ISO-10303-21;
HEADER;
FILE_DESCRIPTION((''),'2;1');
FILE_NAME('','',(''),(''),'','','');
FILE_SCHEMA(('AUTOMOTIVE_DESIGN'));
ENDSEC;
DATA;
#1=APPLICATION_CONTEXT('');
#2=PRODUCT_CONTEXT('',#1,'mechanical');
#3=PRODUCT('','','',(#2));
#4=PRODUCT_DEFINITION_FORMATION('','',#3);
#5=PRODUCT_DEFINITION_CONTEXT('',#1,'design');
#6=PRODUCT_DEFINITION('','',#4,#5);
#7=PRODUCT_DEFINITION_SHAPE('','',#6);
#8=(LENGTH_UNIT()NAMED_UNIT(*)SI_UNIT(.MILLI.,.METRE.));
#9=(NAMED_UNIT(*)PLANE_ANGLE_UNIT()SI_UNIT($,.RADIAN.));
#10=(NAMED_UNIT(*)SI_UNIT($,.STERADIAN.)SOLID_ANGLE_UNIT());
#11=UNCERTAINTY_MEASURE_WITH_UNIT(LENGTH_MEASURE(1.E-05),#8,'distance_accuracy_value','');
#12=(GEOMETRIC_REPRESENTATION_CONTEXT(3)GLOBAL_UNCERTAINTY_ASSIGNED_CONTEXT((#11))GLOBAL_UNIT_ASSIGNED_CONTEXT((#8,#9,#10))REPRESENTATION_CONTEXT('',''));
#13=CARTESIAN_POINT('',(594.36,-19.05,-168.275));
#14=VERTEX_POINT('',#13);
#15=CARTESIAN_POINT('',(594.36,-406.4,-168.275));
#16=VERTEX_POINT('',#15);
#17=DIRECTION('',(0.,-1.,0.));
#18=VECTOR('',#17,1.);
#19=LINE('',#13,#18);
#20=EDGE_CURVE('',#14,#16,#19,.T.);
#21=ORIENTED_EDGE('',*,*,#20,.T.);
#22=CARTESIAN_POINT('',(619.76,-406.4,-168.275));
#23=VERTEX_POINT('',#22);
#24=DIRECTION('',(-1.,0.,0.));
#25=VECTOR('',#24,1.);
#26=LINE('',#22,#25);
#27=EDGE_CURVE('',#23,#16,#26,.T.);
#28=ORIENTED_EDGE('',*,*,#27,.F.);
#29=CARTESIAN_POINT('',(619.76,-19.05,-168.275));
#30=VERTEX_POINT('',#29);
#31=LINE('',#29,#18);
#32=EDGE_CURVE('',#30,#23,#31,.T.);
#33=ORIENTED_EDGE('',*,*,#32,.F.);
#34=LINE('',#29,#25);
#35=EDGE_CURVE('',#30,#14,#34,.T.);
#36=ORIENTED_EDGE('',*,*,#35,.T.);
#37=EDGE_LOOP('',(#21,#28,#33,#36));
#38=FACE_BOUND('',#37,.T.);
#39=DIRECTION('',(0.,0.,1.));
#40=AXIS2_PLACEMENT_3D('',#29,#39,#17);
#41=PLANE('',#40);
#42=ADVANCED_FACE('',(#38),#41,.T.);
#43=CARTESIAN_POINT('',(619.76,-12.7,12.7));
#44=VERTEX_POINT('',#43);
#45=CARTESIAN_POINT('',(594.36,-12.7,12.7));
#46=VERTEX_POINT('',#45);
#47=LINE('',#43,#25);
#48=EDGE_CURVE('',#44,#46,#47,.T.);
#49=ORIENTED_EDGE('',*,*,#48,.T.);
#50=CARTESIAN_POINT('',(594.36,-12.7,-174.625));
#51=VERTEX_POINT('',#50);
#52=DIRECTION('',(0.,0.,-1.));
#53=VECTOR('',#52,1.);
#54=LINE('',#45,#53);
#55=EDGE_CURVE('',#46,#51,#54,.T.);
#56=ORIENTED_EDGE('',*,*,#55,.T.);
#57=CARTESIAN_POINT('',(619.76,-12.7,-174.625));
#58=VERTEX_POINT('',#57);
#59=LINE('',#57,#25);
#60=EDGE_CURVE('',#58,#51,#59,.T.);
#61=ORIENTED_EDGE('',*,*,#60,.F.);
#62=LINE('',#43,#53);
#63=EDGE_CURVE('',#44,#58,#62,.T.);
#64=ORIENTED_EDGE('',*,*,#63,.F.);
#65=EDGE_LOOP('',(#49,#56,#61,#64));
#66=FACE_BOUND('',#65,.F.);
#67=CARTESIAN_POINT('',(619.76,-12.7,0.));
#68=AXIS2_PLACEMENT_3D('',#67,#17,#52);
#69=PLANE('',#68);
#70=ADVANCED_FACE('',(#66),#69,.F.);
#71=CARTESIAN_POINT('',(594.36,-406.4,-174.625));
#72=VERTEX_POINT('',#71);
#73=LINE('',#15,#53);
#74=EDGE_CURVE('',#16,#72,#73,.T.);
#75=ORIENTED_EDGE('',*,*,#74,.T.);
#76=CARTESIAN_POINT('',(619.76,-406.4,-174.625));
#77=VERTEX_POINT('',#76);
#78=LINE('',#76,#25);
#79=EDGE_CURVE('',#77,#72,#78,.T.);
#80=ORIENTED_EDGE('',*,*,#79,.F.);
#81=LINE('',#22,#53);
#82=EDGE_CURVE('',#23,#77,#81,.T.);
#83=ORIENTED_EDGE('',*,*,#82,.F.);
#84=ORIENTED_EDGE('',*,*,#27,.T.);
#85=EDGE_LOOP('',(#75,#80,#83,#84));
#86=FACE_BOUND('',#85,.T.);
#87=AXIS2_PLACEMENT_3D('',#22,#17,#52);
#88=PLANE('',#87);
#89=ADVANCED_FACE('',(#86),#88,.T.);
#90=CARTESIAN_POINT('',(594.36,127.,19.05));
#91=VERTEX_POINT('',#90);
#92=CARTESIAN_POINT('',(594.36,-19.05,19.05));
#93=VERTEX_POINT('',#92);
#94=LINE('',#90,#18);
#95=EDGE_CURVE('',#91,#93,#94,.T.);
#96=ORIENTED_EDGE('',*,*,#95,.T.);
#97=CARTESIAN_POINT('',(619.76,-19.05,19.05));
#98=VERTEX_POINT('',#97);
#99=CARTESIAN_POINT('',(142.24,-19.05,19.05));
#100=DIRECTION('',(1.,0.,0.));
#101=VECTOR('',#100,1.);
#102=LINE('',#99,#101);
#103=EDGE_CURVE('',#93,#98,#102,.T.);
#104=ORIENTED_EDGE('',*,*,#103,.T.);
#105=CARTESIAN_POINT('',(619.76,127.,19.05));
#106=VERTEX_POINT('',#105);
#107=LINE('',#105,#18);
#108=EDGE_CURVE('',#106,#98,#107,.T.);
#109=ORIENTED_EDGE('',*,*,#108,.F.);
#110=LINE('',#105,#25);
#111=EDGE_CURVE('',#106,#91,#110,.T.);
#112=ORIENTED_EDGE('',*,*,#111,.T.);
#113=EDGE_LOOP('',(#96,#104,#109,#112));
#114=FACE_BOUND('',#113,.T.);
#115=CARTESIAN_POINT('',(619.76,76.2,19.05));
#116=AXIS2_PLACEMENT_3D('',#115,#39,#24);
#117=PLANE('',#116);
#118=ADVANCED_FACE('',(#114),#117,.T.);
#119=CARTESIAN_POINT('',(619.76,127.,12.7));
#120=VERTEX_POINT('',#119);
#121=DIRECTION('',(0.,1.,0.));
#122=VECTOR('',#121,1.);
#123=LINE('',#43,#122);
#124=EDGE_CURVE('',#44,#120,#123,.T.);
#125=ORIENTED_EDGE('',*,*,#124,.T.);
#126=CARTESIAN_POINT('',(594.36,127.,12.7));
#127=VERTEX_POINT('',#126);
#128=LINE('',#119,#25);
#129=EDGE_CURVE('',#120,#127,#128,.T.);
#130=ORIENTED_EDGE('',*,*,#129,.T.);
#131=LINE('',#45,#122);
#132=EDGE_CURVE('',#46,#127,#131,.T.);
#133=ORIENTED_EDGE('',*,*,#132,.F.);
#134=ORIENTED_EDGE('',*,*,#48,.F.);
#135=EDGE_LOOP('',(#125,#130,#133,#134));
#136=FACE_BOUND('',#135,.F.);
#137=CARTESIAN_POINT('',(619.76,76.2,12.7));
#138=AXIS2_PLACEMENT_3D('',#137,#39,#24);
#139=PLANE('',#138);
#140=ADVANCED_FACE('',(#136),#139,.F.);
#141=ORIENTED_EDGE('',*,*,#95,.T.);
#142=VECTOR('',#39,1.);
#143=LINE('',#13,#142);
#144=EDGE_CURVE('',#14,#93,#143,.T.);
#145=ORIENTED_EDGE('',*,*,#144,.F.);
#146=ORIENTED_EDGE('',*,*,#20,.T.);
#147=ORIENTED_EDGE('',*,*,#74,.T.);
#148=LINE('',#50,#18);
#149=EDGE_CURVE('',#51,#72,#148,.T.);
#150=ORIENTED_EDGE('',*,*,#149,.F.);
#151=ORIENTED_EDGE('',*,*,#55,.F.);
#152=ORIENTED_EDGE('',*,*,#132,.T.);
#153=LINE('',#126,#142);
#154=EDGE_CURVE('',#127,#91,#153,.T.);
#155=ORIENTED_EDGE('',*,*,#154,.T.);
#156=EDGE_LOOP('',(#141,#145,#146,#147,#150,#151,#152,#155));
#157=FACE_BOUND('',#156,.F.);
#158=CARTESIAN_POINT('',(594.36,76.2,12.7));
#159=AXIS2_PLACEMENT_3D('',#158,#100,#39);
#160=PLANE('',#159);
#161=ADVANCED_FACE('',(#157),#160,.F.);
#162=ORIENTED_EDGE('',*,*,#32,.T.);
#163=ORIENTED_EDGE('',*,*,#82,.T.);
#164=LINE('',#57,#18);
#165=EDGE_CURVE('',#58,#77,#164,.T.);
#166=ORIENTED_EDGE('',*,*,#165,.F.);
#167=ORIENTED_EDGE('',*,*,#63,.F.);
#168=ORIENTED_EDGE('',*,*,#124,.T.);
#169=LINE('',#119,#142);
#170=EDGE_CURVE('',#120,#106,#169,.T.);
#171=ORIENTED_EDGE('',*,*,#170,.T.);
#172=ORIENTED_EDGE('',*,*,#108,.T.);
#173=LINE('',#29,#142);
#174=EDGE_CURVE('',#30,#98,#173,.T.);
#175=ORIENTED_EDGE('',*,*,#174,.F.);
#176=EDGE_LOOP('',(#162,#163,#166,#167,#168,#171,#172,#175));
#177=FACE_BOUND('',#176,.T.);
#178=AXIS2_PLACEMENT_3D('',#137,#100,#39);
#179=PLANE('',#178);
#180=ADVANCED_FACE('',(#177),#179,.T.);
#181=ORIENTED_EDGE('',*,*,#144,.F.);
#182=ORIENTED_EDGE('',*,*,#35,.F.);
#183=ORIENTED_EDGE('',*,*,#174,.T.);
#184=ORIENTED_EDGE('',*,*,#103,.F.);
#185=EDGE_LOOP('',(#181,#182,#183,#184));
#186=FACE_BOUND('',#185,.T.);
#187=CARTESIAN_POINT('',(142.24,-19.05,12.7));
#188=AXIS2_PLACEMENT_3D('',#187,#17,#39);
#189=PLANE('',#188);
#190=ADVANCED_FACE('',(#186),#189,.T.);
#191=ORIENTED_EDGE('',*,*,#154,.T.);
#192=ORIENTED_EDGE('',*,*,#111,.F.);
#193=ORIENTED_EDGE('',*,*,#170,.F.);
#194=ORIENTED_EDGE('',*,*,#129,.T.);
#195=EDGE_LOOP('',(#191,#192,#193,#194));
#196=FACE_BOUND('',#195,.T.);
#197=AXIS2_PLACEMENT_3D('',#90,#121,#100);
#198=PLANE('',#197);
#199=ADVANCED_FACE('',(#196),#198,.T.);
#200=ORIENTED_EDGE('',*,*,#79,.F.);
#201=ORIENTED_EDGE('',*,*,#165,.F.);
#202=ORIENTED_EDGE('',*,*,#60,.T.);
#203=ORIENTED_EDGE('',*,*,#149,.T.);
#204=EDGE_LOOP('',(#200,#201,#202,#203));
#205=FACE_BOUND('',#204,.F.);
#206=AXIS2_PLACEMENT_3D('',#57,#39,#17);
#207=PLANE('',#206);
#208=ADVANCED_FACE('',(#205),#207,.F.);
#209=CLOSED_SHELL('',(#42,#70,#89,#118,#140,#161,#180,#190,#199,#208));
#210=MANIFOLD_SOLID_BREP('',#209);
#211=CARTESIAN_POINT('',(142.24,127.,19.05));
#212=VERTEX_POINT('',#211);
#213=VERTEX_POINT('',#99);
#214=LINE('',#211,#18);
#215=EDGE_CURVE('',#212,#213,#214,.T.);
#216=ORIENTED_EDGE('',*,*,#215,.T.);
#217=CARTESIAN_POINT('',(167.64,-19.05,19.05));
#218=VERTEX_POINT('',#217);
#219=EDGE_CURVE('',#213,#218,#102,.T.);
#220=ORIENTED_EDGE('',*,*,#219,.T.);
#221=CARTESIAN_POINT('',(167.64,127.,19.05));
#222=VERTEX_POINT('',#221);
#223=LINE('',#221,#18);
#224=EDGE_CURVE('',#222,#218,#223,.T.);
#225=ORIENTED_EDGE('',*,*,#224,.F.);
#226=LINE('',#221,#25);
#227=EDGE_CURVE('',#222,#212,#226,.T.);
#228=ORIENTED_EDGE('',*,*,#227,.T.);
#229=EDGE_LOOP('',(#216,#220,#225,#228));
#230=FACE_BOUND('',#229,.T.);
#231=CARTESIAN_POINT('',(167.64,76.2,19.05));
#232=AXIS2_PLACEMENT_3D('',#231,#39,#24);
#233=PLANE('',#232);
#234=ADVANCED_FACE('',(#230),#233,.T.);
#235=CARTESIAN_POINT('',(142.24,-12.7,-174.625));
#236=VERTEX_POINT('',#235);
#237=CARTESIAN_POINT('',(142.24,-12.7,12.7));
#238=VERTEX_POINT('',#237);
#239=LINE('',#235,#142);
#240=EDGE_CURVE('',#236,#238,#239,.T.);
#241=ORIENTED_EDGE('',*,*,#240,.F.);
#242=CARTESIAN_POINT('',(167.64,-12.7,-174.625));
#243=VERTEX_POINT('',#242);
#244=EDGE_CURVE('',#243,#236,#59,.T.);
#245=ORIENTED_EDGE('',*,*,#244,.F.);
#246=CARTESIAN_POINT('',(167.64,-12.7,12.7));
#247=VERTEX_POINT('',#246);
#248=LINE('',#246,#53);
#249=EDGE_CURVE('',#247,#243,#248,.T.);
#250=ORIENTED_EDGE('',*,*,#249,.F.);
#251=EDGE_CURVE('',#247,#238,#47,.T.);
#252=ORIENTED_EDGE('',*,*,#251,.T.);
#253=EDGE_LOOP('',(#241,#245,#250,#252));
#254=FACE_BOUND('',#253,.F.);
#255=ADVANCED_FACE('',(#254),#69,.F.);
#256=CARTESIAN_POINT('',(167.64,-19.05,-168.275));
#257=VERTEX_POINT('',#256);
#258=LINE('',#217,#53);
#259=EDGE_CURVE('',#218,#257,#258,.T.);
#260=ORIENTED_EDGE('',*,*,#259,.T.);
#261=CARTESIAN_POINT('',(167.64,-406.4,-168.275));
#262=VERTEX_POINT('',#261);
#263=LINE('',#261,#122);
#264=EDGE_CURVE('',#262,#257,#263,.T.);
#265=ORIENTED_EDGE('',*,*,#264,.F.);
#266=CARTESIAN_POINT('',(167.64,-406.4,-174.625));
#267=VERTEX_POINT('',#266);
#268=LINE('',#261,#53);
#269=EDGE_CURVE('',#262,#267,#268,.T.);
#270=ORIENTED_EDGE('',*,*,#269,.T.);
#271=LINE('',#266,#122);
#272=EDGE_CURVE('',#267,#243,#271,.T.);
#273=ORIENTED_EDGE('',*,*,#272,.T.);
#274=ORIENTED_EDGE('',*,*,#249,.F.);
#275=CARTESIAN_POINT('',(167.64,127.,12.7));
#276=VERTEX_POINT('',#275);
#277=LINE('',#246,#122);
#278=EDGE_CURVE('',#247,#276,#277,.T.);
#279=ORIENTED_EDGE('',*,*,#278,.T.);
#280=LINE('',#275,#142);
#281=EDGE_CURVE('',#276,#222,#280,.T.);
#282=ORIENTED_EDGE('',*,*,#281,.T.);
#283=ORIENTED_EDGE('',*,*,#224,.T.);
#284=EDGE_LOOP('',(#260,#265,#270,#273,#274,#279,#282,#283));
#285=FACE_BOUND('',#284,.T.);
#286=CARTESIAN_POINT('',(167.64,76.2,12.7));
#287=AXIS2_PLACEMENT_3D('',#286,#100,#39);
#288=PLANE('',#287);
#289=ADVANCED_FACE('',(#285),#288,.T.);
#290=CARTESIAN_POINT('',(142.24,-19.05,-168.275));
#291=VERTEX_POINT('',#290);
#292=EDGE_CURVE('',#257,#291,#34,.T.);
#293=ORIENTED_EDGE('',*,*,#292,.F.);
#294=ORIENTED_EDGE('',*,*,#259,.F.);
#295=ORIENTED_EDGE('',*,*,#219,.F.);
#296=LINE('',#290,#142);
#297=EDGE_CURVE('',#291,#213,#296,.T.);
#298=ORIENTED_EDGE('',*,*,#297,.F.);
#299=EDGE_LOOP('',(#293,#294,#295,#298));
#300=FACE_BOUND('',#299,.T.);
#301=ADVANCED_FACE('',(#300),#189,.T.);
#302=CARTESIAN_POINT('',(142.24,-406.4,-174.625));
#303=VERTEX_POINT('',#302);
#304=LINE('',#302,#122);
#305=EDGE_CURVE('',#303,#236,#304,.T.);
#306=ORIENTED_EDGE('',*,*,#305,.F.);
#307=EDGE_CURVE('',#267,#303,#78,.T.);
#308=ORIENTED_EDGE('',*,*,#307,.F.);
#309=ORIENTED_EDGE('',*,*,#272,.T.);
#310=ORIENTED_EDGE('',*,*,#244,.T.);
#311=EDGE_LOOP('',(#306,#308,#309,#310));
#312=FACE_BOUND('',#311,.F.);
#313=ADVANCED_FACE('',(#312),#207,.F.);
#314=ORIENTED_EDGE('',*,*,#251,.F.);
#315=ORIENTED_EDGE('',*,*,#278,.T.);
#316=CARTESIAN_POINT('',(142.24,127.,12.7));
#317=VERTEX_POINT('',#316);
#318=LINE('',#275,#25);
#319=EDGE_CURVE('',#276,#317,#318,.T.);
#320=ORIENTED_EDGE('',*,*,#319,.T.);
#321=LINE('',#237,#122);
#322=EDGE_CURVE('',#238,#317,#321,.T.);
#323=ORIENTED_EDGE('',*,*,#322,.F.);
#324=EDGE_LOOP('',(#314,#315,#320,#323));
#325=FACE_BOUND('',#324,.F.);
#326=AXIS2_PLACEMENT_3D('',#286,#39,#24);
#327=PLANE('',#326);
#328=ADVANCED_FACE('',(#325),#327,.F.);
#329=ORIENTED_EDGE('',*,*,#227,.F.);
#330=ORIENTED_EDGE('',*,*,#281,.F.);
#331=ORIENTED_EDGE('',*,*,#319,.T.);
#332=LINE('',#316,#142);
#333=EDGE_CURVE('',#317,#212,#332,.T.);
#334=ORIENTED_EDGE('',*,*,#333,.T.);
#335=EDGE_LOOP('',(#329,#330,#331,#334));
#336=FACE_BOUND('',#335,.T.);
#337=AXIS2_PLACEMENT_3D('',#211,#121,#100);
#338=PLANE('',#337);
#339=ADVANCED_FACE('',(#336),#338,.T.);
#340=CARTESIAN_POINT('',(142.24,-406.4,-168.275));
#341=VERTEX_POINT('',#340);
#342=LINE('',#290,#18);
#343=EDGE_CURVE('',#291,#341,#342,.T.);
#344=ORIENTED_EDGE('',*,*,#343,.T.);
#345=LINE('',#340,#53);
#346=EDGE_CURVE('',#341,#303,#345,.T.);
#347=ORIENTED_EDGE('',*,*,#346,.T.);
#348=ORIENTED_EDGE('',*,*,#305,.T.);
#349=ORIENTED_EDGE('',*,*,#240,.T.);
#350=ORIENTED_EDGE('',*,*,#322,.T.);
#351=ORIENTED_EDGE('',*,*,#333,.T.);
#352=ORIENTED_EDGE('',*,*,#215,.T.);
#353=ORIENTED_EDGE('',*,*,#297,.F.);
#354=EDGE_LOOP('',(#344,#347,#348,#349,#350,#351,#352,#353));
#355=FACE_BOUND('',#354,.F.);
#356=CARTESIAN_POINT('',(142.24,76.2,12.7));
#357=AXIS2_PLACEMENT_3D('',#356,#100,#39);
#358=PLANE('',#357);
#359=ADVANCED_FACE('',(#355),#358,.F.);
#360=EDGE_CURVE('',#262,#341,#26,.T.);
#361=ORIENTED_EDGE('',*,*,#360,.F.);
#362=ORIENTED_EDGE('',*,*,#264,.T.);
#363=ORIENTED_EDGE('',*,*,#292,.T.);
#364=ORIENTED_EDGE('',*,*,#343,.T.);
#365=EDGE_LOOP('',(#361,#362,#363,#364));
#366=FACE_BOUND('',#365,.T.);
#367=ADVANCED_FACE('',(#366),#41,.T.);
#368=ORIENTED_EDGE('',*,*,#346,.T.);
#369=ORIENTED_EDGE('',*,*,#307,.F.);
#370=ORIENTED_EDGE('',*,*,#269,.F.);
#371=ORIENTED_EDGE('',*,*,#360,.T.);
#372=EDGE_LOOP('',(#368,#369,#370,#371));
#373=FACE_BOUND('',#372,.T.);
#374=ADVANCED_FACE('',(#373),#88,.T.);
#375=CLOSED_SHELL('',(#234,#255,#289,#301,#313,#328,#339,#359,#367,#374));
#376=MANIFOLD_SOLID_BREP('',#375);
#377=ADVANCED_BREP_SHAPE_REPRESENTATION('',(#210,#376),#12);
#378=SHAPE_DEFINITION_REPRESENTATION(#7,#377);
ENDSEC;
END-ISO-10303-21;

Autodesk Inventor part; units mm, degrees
ref_plane "YZ Plane" through (0, 0, 0) normal (1, 0, 0) x (0, 1, 0)
ref_plane "XZ Plane" through (0, 0, 0) normal (0, 1, 0) x (-1, 0, 0)
ref_plane "XY Plane" through (0, 0, 0) normal (0, 0, 1) x (1, 0, 0)
sketch "Sketch1" plane through (0, 0, 0) normal (0, 0, 1) x (1, 0, 0)
  line L0 (0, 0) -> (76.2, 0)
  line L1 (76.2, 0) -> (76.2, 76.2)
  line L2 (76.2, 76.2) -> (0, 76.2)
  line L3 (0, 76.2) -> (0, 0)
  line L4 (76.2, 76.2) -> (167.64, 76.2)
  line L5 (167.64, 76.2) -> (594.36, 76.2)
  line L6 (594.36, 76.2) -> (685.8, 76.2)
  line L7 (167.64, 76.2) -> (594.36, 76.2)
  line L8 (594.36, 76.2) -> (594.36, -406.4)
  line L9 (594.36, -406.4) -> (167.64, -406.4)
  line L10 (167.64, -406.4) -> (167.64, 76.2)
  line L11 (167.64, -406.4) -> (142.24, -406.4)
  line L12 (142.24, -406.4) -> (142.24, 76.2)
  line L13 (142.24, 76.2) -> (167.64, 76.2)
  line L14 (167.64, 76.2) -> (167.64, -406.4)
  line L15 (594.36, 76.2) -> (619.76, 76.2)
  line L16 (619.76, 76.2) -> (619.76, -406.4)
  line L17 (619.76, -406.4) -> (594.36, -406.4)
  line L18 (594.36, -406.4) -> (594.36, 76.2)
  dimension "d0" = 76.2
  dimension "d1" = 76.2
  dimension "d2" = 91.44
  dimension "d3" = 426.72
  dimension "d4" = 91.44
  dimension "d5" = 426.72
  dimension "d6" = 482.6
  dimension "d7" = 25.4
  dimension "d8" = 482.6
  dimension "d9" = 25.4
  dimension "d10" = 482.6
extrude "Extrusion1" add sketch "Sketch1" along normal blind 19.05 contours L4 L10 L11 L12 | L6 L16 L17 L8
sketch "Sketch2" plane through (142.24, -406.4, 0) normal (-1, 0, 0) x (0, 0, 1)
  line L0 (0, 482.6) -> (12.7, 482.6)
  line L1 (12.7, 482.6) -> (12.7, 0)
  line L2 (12.7, 0) -> (0, 0)
  line L3 (0, 0) -> (0, 482.6)
  point P0 (0, 406.4)
  dimension "d13" = 12.7
  dimension "d14" = 482.6
extrude "Extrusion2" cut sketch "Sketch2" against normal blind 2090.7375
sketch "Sketch3" plane through (619.76, -406.4, 19.05) normal (1, 0, 0) x (0, 0, -1)
  line L0 (19.05, 406.4) -> (6.35, 406.4)
  line L1 (6.35, 406.4) -> (6.35, 393.7)
  line L2 (6.35, 393.7) -> (19.05, 393.7)
  line L3 (19.05, 393.7) -> (19.05, 406.4)
  line L4 (6.35, 393.7) -> (193.675, 393.7)
  line L5 (193.675, 393.7) -> (193.675, 387.35)
  line L6 (193.675, 387.35) -> (6.35, 387.35)
  line L7 (6.35, 387.35) -> (6.35, 393.7)
  line L8 (193.675, 387.35) -> (187.325, 387.35)
  line L9 (187.325, 387.35) -> (187.325, 0)
  line L10 (187.325, 0) -> (193.675, 0)
  line L11 (193.675, 0) -> (193.675, 387.35)
  dimension "d17" = 12.7
  dimension "d18" = 12.7
  dimension "d19" = 187.325
  dimension "d20" = 6.35
  dimension "d21" = 6.35
  dimension "d22" = 387.35
extrude "Extrusion3" add sketch "Sketch3" against normal blind 477.52 contours L4 L5 L6 L7 L2 | L11 L10 L9 L6
sketch "Sketch4" plane through (142.24, -406.4, 19.05) normal (-1, 0, 0) x (0, 0, 1)
  line L0 (-6.35, 387.35) -> (0, 387.35)
  line L1 (0, 387.35) -> (0, 0)
  line L2 (0, 0) -> (-6.35, 0)
  line L3 (-6.35, 0) -> (-6.35, 387.35)
  point P0 (-19.05, 406.4)
extrude "Extrusion4" cut sketch "Sketch4" against normal blind 684.53
sketch "Sketch5" plane through (167.64, -19.05, 12.7) normal (0, 0, 1) x (1, 0, 0)
  line L0 (0, 0) -> (0, 6.35) projected
  line L1 (426.72, 0) -> (0, 0) projected
  line L2 (426.72, 6.35) -> (426.72, 0) projected
  line L3 (426.72, 6.35) -> (0, 6.35) projected
  point P0 (-167.64, 19.05)
extrude "Extrusion5" cut sketch "Sketch5" against normal blind 1007.745
sketch "Sketch6" plane through (619.76, -406.4, -168.275) normal (0, 0, 1) x (1, 0, 0)
  line L0 (0, 0) -> (-477.52, 0) projected
  line L1 (-452.12, 387.35) -> (-25.4, 387.35)
  line L2 (-25.4, 387.35) -> (-25.4, 0)
  line L3 (-25.4, 0) -> (-452.12, 0)
  line L4 (-452.12, 0) -> (-452.12, 387.35)
  point P0 (-619.76, 406.4)
extrude "Extrusion6" cut sketch "Sketch6" against normal blind 187.6425
sketch "Sketch7" plane through (594.36, 76.2, 19.05) normal (0, 1, 0) x (1, 0, 0)
  line L0 (25.4, 6.35) -> (0, 6.35) projected
  line L1 (0, 6.35) -> (0, 0) projected
  line L2 (25.4, 0) -> (0, 0) projected
  line L3 (25.4, 6.35) -> (25.4, 0) projected
  point P0 (-594.36, 19.05)
extrude "Extrusion7" add sketch "Sketch7" along normal blind 50.8
sketch "Sketch8" plane through (142.24, 76.2, 19.05) normal (0, 1, 0) x (1, 0, 0)
  line L0 (25.4, 6.35) -> (0, 6.35) projected
  line L1 (0, 6.35) -> (0, 0) projected
  line L2 (25.4, 0) -> (0, 0) projected
  line L3 (25.4, 6.35) -> (25.4, 0) projected
  point P0 (-142.24, 19.05)
extrude "Extrusion8" add sketch "Sketch8" along normal blind 50.8
properties part number "SideArm"
